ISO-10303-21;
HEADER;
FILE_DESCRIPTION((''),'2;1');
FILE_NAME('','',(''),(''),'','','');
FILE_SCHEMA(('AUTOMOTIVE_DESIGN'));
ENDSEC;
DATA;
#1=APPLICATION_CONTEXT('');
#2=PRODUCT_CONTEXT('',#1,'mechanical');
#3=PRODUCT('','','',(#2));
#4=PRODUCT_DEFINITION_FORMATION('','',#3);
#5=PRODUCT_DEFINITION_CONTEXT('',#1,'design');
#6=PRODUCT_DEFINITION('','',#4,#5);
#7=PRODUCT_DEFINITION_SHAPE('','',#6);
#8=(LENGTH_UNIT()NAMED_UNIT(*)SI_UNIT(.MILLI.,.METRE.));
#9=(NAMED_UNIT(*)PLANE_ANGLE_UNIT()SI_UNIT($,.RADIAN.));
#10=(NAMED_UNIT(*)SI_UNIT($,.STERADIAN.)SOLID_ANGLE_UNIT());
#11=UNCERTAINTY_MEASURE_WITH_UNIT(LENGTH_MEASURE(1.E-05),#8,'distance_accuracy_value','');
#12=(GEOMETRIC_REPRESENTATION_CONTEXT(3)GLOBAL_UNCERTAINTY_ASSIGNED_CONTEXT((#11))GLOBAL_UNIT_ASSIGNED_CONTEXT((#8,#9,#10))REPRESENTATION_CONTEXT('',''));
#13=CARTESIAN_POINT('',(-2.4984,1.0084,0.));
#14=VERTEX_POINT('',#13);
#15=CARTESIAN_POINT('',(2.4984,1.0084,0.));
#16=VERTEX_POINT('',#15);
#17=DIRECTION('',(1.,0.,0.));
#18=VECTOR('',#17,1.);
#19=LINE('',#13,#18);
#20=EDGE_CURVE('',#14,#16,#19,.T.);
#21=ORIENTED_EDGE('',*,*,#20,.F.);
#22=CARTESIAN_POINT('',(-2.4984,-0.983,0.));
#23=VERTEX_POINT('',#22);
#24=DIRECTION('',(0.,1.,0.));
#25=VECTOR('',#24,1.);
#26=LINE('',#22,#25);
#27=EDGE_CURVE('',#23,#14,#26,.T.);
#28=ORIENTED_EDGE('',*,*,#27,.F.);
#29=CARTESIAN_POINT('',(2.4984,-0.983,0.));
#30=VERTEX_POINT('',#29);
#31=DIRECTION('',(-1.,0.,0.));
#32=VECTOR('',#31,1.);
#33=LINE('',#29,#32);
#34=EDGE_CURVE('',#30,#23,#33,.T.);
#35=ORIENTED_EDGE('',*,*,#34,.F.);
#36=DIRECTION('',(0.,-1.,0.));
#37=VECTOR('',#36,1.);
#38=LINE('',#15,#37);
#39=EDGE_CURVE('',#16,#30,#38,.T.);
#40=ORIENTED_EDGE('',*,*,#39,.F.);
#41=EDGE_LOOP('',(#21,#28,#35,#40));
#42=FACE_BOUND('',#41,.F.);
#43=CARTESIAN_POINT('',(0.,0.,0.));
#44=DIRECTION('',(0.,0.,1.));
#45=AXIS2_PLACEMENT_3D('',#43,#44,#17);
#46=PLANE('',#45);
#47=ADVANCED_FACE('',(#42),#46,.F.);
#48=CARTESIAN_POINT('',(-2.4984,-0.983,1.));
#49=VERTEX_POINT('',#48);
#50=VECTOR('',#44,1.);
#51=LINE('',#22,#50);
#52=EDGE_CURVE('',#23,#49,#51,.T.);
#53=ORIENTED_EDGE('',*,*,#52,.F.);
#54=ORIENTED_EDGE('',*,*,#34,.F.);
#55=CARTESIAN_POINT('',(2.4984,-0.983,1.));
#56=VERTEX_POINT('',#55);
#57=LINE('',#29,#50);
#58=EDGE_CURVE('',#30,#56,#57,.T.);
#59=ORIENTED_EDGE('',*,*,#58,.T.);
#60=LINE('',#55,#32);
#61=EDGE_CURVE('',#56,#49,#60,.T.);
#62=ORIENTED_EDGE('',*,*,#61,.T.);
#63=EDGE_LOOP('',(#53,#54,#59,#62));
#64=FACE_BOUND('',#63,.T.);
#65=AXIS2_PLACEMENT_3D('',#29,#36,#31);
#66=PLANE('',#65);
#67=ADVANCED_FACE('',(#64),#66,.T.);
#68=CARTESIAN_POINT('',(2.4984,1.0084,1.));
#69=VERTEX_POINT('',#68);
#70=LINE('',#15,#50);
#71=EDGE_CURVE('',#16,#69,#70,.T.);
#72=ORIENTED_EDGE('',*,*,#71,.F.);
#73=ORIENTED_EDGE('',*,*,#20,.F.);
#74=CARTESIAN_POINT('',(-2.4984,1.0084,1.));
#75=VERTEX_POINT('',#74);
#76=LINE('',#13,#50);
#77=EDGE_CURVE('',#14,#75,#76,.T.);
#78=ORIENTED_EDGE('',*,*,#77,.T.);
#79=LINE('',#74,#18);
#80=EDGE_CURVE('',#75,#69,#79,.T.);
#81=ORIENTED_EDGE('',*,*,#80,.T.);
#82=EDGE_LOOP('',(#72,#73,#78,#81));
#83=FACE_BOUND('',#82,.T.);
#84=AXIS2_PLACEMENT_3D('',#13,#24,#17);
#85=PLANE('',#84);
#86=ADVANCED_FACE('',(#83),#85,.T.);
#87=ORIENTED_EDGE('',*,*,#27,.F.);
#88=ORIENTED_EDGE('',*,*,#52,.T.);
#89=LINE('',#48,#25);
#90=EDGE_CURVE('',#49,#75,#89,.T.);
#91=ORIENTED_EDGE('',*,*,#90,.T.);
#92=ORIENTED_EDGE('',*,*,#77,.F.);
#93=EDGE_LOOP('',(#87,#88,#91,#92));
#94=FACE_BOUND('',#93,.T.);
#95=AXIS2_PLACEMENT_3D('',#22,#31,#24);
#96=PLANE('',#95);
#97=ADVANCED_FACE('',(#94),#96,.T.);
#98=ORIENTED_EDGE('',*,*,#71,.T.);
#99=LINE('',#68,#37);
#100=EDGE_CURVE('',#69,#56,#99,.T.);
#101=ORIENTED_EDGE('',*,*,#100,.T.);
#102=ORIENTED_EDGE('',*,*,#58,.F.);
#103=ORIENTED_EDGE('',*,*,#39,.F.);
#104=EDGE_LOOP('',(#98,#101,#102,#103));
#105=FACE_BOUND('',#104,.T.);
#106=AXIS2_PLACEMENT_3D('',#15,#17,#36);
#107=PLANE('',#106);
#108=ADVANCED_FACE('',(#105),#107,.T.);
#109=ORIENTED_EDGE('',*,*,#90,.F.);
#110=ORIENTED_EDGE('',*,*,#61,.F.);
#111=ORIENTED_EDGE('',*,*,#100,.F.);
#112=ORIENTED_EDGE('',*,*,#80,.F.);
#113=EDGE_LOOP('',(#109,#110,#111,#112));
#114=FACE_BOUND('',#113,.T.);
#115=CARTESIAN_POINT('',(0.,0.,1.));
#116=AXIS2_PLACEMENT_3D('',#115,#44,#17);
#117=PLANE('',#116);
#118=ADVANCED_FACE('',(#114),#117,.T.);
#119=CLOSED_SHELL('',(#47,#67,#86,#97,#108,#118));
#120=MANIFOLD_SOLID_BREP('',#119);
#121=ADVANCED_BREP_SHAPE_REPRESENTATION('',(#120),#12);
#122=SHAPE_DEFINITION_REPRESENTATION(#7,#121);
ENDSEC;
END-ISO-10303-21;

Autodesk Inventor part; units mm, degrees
ref_plane "YZ Plane" through (0, 0, 0) normal (1, 0, 0) x (0, 1, 0)
ref_plane "XZ Plane" through (0, 0, 0) normal (0, 1, 0) x (-1, 0, 0)
ref_plane "XY Plane" through (0, 0, 0) normal (0, 0, 1) x (1, 0, 0)
sketch "C3216, 22P_53" plane through (0, 0, 0) normal (0, 0, 1) x (1, 0, 0)
  line L0 (-2.4984, 1.0084) -> (2.4984, 1.0084)
  line L1 (2.4984, 1.0084) -> (2.4984, -0.983)
  line L2 (2.4984, -0.983) -> (-2.4984, -0.983)
  line L3 (-2.4984, -0.983) -> (-2.4984, 1.0084)
extrude "Extrusion1" add sketch "C3216, 22P_53" along normal blind 1
properties part number "22P"
